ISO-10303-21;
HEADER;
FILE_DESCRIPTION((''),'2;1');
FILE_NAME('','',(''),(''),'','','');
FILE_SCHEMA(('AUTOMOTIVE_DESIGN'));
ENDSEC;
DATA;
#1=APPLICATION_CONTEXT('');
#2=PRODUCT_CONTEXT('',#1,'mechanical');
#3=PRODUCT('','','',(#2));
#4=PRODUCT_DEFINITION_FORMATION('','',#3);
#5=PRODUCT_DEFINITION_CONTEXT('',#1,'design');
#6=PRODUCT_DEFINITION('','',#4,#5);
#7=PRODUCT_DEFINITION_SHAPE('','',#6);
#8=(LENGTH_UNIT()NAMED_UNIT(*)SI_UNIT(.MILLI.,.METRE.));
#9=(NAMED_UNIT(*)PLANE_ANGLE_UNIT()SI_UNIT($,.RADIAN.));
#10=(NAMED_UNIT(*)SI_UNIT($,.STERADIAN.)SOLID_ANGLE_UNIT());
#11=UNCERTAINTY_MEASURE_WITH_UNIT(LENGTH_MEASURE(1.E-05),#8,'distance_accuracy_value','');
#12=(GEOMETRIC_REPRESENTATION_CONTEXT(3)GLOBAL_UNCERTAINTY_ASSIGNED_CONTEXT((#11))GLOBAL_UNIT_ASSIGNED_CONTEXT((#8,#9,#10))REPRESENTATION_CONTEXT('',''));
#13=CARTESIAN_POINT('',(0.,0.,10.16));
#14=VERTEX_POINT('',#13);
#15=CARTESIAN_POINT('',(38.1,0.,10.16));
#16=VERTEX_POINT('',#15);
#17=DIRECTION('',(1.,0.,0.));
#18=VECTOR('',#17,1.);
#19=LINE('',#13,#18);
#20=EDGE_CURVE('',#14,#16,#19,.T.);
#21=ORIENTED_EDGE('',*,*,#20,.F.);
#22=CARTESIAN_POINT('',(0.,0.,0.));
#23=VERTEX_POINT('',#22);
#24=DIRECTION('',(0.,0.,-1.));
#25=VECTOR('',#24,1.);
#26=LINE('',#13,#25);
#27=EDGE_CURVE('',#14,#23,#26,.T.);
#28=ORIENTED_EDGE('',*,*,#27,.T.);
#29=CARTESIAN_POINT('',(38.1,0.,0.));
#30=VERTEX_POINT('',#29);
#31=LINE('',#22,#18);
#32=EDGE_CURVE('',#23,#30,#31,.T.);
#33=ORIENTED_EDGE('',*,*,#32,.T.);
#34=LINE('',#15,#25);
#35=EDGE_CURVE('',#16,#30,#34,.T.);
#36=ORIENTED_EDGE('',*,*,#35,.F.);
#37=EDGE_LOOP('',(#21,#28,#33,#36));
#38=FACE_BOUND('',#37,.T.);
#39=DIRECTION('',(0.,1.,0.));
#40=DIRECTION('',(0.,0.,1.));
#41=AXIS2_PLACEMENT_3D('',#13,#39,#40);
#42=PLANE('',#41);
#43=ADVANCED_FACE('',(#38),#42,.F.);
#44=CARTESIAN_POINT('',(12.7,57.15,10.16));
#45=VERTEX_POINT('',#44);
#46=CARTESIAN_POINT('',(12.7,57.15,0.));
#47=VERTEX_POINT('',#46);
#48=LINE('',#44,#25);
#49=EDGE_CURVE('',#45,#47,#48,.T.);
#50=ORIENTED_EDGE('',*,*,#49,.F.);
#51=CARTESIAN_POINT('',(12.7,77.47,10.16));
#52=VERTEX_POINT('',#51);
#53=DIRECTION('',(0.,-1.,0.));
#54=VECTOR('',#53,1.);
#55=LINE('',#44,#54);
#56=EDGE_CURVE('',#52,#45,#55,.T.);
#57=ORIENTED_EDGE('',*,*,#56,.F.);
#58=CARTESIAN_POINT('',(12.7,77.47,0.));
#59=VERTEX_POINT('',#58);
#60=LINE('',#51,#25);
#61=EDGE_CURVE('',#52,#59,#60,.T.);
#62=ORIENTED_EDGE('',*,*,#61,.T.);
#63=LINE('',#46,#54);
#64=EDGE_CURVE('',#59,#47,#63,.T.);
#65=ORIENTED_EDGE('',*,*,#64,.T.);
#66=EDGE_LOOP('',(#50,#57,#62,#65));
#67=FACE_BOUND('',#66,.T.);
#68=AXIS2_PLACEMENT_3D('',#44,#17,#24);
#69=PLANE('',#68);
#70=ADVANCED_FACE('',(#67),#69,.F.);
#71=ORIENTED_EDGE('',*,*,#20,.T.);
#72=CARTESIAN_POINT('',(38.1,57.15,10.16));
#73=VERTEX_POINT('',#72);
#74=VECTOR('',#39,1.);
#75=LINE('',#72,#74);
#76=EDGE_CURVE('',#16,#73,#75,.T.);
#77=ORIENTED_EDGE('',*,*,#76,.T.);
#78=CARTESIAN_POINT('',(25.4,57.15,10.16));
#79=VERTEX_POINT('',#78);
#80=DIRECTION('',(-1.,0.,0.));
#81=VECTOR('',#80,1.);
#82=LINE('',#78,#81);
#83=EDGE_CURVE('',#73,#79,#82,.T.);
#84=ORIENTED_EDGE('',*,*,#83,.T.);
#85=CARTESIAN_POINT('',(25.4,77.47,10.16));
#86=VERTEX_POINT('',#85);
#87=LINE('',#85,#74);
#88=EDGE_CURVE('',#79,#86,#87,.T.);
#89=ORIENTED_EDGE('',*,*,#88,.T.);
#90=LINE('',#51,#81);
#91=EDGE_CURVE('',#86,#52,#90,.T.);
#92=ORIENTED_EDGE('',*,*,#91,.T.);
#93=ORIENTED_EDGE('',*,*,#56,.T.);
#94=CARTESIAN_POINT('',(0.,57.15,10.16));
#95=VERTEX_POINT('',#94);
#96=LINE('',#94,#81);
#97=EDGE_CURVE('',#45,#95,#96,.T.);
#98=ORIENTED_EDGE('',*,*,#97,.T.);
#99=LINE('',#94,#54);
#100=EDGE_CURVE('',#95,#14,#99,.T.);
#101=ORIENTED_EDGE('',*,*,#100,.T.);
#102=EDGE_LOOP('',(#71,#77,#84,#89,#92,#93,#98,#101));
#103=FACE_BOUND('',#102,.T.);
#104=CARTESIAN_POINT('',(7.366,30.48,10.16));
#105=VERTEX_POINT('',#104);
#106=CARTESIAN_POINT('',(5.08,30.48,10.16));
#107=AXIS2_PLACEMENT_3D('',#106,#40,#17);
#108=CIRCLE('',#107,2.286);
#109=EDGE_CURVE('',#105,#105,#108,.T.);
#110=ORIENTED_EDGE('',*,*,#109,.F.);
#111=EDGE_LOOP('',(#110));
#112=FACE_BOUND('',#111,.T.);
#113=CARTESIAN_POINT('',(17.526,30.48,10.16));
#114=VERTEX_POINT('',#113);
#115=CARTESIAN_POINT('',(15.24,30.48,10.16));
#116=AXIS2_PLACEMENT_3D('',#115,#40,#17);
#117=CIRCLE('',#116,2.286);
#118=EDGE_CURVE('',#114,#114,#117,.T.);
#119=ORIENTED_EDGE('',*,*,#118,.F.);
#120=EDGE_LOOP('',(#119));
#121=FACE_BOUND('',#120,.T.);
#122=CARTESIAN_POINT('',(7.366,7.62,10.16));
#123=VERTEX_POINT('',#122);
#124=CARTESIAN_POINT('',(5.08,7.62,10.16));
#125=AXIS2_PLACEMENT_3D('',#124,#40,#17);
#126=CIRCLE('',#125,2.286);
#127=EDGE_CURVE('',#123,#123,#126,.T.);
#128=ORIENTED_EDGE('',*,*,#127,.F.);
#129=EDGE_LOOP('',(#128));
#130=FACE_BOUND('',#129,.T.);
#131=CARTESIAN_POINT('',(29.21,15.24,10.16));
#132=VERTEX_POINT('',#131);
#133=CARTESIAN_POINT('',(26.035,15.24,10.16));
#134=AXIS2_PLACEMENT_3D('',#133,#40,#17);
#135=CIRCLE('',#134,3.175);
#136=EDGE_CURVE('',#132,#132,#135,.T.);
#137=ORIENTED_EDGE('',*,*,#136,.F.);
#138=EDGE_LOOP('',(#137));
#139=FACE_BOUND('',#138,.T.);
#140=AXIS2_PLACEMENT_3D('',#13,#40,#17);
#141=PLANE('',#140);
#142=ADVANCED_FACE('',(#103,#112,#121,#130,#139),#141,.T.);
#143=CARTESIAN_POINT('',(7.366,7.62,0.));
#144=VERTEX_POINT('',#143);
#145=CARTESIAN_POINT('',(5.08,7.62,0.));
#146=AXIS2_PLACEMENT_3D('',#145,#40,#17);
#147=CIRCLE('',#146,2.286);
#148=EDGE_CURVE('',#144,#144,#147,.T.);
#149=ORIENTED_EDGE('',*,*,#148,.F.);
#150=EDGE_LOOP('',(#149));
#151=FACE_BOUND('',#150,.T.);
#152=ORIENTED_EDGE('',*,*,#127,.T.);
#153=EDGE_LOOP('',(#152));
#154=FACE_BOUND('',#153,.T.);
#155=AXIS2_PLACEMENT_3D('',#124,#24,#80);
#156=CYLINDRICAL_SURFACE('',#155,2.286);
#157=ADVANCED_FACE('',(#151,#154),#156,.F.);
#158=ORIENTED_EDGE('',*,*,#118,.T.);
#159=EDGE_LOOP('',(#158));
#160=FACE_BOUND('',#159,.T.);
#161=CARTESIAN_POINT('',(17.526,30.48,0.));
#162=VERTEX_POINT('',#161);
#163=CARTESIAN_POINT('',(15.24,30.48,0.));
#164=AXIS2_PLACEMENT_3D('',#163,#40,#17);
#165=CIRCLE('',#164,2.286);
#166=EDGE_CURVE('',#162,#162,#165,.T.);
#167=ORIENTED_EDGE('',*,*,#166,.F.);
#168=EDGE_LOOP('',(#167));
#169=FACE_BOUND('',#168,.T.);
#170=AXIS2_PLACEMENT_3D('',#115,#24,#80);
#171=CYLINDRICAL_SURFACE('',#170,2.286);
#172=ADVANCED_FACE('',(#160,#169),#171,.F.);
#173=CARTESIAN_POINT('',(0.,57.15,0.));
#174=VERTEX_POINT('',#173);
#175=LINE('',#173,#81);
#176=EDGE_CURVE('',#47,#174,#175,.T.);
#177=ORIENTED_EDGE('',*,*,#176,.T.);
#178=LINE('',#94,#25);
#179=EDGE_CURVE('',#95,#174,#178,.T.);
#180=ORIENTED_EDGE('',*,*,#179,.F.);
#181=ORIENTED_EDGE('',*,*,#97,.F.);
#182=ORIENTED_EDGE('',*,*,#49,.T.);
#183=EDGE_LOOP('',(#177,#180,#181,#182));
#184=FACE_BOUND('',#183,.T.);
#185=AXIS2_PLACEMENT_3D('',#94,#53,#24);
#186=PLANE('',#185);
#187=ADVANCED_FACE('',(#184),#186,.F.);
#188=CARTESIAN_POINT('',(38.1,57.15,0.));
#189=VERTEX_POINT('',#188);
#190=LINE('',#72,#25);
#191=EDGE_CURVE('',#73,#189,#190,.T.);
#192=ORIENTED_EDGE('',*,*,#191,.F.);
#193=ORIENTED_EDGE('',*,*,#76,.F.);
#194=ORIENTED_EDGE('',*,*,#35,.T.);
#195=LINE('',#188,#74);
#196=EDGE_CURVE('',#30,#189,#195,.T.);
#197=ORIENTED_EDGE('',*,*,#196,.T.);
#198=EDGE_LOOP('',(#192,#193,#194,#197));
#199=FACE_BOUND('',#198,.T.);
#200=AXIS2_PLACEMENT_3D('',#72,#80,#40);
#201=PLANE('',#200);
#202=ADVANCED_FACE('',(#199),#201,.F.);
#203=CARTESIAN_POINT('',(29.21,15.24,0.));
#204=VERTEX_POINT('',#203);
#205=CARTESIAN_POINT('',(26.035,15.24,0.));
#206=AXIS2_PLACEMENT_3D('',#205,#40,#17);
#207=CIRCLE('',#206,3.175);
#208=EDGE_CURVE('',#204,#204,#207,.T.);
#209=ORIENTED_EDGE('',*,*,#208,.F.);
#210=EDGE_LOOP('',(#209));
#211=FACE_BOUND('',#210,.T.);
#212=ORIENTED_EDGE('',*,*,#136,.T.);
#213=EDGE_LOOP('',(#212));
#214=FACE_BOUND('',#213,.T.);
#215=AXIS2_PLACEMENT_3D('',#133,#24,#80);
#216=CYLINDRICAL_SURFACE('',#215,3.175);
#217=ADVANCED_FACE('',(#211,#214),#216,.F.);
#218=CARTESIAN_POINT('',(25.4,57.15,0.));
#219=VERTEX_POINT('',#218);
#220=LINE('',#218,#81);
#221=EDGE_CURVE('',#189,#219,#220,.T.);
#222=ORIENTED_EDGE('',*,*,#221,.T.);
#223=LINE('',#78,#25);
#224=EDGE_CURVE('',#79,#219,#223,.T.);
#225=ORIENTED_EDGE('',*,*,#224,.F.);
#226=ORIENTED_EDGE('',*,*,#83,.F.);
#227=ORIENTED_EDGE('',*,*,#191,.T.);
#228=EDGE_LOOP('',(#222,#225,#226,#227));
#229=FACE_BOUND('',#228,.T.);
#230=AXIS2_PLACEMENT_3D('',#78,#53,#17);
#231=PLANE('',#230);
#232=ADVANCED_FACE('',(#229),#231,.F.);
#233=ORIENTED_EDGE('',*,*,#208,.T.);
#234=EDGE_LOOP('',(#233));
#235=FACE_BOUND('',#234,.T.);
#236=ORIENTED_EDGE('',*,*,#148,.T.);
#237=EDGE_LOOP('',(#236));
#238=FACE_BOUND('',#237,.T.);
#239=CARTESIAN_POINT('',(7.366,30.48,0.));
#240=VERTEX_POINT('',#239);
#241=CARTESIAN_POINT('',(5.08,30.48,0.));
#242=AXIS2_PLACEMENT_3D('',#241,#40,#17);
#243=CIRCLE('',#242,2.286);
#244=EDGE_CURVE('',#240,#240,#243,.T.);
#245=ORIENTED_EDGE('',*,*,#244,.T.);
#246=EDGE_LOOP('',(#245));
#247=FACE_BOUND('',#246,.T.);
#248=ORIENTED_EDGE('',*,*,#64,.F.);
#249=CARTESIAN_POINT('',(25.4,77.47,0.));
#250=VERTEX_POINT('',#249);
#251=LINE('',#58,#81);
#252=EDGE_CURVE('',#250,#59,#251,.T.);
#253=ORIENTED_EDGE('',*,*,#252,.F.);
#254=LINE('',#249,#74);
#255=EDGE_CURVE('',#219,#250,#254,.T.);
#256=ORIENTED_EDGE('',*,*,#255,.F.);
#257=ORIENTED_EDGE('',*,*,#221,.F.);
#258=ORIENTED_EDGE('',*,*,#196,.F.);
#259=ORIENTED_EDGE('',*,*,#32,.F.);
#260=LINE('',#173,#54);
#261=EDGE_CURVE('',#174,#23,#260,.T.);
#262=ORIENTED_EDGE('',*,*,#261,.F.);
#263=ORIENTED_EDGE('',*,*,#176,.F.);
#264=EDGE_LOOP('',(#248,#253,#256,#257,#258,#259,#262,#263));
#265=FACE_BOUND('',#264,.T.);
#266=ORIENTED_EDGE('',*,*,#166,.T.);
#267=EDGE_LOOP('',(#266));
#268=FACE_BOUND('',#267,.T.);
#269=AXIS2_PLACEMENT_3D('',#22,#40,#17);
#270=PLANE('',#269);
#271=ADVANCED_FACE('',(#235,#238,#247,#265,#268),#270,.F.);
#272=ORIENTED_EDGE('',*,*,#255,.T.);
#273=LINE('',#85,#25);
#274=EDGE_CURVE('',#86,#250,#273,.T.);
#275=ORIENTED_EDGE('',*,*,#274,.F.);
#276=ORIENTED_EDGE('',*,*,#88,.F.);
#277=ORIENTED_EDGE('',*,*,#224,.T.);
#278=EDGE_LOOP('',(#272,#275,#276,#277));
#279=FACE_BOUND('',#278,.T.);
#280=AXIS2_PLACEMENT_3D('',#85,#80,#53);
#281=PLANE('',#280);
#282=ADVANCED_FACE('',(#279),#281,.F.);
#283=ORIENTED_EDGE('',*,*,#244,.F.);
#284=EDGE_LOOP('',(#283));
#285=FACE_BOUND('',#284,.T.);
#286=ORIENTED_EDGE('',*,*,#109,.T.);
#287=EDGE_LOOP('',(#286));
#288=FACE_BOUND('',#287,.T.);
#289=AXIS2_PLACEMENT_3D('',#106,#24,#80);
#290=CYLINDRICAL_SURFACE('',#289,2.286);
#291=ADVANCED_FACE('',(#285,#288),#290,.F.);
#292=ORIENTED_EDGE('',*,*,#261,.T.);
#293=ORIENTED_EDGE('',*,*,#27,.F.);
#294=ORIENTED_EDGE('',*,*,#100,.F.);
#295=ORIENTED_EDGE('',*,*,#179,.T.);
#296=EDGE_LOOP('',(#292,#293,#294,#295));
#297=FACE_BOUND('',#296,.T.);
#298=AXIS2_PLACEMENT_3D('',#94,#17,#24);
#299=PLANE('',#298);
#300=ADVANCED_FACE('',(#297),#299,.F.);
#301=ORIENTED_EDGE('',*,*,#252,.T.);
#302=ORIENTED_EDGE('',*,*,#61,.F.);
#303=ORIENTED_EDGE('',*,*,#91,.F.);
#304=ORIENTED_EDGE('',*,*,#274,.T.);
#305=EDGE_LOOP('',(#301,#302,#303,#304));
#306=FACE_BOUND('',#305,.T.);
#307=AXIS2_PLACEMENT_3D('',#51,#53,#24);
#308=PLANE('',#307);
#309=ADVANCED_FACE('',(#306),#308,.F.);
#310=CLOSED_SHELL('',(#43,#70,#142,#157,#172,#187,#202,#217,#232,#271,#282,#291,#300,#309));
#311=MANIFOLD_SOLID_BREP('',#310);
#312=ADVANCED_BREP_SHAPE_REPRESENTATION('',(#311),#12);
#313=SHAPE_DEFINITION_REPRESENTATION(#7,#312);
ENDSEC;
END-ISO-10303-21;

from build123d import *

# Parameters (mm, degrees)
SKETCH1_R           = 2.286
SKETCH1_R_2         = 3.175
BOSS_EXTRUDE1_DEPTH = 10.16


with BuildPart() as part:
    # Sketch1 → Boss-Extrude1 (new body)
    with BuildSketch(Plane.XY):
        Polygon((0, 57.15), (12.7, 57.15), (12.7, 77.47), (25.4, 77.47), (25.4, 57.15), (38.1, 57.15), (38.1, 0), (0, 0), align=None)
        with Locations((5.08, 7.62)):
            Circle(SKETCH1_R, mode=Mode.SUBTRACT)
        with Locations((5.08, 30.48)):
            Circle(SKETCH1_R, mode=Mode.SUBTRACT)
        with Locations((26.035, 15.24)):
            Circle(SKETCH1_R_2, mode=Mode.SUBTRACT)
        with Locations((15.24, 30.48)):
            Circle(SKETCH1_R, mode=Mode.SUBTRACT)
    extrude(amount=BOSS_EXTRUDE1_DEPTH)


solid = part.part
